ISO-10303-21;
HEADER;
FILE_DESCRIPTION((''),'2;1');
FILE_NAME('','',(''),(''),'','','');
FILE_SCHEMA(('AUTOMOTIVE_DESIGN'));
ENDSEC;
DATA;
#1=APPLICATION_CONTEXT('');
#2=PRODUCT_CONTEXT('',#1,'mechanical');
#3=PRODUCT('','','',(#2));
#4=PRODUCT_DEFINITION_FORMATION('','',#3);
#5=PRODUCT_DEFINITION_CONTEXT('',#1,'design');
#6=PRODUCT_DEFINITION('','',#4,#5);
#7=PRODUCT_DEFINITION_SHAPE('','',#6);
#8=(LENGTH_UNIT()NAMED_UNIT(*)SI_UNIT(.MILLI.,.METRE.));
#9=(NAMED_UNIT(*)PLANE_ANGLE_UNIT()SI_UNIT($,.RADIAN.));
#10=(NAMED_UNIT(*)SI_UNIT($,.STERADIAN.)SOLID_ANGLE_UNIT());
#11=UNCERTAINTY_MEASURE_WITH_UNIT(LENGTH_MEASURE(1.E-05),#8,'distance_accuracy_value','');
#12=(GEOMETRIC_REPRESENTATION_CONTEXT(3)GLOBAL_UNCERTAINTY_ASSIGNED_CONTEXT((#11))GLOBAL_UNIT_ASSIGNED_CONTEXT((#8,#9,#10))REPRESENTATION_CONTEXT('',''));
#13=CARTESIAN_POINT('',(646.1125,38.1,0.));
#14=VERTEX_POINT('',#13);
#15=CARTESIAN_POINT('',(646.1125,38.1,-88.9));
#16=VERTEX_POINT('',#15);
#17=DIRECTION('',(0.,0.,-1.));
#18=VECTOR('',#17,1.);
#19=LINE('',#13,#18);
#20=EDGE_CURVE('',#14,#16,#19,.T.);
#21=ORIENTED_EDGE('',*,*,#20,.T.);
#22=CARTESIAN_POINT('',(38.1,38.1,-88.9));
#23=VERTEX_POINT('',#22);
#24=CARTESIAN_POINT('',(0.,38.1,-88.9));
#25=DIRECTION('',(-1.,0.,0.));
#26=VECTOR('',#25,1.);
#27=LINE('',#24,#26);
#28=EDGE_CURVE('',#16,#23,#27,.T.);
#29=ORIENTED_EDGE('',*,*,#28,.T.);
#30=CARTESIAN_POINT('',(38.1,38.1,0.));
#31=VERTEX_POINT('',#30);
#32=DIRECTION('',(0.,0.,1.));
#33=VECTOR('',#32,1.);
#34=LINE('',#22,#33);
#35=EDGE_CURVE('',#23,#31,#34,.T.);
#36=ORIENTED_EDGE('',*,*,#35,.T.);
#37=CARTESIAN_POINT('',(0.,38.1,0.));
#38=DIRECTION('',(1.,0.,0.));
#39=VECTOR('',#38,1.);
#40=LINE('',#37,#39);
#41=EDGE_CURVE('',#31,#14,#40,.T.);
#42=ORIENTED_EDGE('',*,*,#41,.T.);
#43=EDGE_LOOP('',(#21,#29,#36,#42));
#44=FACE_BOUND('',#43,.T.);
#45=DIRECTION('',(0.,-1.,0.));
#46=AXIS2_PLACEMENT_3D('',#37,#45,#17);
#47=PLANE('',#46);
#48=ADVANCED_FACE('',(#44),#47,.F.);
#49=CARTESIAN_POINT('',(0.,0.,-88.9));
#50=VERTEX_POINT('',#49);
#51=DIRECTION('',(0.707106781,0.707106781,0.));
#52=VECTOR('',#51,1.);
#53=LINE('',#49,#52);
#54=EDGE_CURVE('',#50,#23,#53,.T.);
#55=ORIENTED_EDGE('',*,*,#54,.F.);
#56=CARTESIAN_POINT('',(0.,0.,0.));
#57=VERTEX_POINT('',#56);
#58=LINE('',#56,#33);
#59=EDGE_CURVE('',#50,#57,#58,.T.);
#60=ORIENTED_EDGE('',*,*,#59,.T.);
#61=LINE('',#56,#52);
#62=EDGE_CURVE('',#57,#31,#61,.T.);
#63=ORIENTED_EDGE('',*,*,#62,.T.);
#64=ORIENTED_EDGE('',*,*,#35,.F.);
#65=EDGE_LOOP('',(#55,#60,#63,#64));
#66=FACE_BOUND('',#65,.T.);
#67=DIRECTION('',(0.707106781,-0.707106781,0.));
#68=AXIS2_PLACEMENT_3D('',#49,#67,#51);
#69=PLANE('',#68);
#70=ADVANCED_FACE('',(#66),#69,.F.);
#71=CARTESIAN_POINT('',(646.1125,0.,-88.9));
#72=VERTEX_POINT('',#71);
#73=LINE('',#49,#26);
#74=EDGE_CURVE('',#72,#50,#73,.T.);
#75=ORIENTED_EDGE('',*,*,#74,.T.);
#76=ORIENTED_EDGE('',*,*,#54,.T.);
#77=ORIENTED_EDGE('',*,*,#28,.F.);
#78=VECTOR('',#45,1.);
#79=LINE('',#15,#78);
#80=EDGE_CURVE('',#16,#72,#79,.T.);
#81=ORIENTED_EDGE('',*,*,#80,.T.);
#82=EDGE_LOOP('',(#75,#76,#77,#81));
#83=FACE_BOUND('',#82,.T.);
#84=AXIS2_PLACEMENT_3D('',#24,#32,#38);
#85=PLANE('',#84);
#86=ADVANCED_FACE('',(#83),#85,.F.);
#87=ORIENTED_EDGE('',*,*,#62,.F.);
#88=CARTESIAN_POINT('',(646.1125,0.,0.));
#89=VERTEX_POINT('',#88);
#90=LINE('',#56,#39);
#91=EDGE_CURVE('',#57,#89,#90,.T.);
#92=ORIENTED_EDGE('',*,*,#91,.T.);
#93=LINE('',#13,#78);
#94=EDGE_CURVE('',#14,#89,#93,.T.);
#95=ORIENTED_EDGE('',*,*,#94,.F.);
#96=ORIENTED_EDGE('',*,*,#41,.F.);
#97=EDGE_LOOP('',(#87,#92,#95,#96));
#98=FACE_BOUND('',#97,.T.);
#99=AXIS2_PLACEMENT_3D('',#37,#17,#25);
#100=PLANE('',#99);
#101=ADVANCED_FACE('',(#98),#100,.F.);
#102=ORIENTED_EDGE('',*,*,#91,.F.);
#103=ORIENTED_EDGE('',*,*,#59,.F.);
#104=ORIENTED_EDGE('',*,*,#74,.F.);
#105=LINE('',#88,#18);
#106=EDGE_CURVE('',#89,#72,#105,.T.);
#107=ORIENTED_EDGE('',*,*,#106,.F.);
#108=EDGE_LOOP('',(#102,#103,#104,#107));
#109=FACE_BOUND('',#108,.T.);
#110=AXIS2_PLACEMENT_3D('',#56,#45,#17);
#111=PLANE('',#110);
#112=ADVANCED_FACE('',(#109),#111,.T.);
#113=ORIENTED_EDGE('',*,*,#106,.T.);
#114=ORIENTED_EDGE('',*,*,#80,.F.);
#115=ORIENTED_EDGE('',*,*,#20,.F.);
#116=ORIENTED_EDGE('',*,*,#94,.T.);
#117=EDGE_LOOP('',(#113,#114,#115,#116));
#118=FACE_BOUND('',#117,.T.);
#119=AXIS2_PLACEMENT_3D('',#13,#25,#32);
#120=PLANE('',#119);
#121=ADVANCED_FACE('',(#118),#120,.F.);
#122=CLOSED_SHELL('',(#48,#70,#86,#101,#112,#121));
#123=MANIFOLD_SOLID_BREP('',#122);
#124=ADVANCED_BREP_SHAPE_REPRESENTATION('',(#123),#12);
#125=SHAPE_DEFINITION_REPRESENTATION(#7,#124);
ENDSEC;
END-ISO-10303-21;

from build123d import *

# Parameters (mm, degrees)
SKETCH1_W           = 646.1125
SKETCH1_H           = 88.9
BOSS_EXTRUDE1_DEPTH = 38.1
CUT_EXTRUDE1_DEPTH  = 89.9


with BuildPart() as part:
    # Sketch1 → Boss-Extrude1 (new body)
    with BuildSketch(Plane(origin=(0, 0, 0), x_dir=(1, 0, 0), z_dir=(0, 1, 0))):
        with Locations((323.05625, 44.45)):
            Rectangle(SKETCH1_W, SKETCH1_H)
    extrude(amount=BOSS_EXTRUDE1_DEPTH)

    # Sketch2 → Cut-Extrude1 (cut, through all)
    with BuildSketch(Plane.XY):
        Polygon((0, 0), (38.1, 38.1), (0, 38.1), align=None)
    extrude(amount=-CUT_EXTRUDE1_DEPTH, mode=Mode.SUBTRACT)


solid = part.part
